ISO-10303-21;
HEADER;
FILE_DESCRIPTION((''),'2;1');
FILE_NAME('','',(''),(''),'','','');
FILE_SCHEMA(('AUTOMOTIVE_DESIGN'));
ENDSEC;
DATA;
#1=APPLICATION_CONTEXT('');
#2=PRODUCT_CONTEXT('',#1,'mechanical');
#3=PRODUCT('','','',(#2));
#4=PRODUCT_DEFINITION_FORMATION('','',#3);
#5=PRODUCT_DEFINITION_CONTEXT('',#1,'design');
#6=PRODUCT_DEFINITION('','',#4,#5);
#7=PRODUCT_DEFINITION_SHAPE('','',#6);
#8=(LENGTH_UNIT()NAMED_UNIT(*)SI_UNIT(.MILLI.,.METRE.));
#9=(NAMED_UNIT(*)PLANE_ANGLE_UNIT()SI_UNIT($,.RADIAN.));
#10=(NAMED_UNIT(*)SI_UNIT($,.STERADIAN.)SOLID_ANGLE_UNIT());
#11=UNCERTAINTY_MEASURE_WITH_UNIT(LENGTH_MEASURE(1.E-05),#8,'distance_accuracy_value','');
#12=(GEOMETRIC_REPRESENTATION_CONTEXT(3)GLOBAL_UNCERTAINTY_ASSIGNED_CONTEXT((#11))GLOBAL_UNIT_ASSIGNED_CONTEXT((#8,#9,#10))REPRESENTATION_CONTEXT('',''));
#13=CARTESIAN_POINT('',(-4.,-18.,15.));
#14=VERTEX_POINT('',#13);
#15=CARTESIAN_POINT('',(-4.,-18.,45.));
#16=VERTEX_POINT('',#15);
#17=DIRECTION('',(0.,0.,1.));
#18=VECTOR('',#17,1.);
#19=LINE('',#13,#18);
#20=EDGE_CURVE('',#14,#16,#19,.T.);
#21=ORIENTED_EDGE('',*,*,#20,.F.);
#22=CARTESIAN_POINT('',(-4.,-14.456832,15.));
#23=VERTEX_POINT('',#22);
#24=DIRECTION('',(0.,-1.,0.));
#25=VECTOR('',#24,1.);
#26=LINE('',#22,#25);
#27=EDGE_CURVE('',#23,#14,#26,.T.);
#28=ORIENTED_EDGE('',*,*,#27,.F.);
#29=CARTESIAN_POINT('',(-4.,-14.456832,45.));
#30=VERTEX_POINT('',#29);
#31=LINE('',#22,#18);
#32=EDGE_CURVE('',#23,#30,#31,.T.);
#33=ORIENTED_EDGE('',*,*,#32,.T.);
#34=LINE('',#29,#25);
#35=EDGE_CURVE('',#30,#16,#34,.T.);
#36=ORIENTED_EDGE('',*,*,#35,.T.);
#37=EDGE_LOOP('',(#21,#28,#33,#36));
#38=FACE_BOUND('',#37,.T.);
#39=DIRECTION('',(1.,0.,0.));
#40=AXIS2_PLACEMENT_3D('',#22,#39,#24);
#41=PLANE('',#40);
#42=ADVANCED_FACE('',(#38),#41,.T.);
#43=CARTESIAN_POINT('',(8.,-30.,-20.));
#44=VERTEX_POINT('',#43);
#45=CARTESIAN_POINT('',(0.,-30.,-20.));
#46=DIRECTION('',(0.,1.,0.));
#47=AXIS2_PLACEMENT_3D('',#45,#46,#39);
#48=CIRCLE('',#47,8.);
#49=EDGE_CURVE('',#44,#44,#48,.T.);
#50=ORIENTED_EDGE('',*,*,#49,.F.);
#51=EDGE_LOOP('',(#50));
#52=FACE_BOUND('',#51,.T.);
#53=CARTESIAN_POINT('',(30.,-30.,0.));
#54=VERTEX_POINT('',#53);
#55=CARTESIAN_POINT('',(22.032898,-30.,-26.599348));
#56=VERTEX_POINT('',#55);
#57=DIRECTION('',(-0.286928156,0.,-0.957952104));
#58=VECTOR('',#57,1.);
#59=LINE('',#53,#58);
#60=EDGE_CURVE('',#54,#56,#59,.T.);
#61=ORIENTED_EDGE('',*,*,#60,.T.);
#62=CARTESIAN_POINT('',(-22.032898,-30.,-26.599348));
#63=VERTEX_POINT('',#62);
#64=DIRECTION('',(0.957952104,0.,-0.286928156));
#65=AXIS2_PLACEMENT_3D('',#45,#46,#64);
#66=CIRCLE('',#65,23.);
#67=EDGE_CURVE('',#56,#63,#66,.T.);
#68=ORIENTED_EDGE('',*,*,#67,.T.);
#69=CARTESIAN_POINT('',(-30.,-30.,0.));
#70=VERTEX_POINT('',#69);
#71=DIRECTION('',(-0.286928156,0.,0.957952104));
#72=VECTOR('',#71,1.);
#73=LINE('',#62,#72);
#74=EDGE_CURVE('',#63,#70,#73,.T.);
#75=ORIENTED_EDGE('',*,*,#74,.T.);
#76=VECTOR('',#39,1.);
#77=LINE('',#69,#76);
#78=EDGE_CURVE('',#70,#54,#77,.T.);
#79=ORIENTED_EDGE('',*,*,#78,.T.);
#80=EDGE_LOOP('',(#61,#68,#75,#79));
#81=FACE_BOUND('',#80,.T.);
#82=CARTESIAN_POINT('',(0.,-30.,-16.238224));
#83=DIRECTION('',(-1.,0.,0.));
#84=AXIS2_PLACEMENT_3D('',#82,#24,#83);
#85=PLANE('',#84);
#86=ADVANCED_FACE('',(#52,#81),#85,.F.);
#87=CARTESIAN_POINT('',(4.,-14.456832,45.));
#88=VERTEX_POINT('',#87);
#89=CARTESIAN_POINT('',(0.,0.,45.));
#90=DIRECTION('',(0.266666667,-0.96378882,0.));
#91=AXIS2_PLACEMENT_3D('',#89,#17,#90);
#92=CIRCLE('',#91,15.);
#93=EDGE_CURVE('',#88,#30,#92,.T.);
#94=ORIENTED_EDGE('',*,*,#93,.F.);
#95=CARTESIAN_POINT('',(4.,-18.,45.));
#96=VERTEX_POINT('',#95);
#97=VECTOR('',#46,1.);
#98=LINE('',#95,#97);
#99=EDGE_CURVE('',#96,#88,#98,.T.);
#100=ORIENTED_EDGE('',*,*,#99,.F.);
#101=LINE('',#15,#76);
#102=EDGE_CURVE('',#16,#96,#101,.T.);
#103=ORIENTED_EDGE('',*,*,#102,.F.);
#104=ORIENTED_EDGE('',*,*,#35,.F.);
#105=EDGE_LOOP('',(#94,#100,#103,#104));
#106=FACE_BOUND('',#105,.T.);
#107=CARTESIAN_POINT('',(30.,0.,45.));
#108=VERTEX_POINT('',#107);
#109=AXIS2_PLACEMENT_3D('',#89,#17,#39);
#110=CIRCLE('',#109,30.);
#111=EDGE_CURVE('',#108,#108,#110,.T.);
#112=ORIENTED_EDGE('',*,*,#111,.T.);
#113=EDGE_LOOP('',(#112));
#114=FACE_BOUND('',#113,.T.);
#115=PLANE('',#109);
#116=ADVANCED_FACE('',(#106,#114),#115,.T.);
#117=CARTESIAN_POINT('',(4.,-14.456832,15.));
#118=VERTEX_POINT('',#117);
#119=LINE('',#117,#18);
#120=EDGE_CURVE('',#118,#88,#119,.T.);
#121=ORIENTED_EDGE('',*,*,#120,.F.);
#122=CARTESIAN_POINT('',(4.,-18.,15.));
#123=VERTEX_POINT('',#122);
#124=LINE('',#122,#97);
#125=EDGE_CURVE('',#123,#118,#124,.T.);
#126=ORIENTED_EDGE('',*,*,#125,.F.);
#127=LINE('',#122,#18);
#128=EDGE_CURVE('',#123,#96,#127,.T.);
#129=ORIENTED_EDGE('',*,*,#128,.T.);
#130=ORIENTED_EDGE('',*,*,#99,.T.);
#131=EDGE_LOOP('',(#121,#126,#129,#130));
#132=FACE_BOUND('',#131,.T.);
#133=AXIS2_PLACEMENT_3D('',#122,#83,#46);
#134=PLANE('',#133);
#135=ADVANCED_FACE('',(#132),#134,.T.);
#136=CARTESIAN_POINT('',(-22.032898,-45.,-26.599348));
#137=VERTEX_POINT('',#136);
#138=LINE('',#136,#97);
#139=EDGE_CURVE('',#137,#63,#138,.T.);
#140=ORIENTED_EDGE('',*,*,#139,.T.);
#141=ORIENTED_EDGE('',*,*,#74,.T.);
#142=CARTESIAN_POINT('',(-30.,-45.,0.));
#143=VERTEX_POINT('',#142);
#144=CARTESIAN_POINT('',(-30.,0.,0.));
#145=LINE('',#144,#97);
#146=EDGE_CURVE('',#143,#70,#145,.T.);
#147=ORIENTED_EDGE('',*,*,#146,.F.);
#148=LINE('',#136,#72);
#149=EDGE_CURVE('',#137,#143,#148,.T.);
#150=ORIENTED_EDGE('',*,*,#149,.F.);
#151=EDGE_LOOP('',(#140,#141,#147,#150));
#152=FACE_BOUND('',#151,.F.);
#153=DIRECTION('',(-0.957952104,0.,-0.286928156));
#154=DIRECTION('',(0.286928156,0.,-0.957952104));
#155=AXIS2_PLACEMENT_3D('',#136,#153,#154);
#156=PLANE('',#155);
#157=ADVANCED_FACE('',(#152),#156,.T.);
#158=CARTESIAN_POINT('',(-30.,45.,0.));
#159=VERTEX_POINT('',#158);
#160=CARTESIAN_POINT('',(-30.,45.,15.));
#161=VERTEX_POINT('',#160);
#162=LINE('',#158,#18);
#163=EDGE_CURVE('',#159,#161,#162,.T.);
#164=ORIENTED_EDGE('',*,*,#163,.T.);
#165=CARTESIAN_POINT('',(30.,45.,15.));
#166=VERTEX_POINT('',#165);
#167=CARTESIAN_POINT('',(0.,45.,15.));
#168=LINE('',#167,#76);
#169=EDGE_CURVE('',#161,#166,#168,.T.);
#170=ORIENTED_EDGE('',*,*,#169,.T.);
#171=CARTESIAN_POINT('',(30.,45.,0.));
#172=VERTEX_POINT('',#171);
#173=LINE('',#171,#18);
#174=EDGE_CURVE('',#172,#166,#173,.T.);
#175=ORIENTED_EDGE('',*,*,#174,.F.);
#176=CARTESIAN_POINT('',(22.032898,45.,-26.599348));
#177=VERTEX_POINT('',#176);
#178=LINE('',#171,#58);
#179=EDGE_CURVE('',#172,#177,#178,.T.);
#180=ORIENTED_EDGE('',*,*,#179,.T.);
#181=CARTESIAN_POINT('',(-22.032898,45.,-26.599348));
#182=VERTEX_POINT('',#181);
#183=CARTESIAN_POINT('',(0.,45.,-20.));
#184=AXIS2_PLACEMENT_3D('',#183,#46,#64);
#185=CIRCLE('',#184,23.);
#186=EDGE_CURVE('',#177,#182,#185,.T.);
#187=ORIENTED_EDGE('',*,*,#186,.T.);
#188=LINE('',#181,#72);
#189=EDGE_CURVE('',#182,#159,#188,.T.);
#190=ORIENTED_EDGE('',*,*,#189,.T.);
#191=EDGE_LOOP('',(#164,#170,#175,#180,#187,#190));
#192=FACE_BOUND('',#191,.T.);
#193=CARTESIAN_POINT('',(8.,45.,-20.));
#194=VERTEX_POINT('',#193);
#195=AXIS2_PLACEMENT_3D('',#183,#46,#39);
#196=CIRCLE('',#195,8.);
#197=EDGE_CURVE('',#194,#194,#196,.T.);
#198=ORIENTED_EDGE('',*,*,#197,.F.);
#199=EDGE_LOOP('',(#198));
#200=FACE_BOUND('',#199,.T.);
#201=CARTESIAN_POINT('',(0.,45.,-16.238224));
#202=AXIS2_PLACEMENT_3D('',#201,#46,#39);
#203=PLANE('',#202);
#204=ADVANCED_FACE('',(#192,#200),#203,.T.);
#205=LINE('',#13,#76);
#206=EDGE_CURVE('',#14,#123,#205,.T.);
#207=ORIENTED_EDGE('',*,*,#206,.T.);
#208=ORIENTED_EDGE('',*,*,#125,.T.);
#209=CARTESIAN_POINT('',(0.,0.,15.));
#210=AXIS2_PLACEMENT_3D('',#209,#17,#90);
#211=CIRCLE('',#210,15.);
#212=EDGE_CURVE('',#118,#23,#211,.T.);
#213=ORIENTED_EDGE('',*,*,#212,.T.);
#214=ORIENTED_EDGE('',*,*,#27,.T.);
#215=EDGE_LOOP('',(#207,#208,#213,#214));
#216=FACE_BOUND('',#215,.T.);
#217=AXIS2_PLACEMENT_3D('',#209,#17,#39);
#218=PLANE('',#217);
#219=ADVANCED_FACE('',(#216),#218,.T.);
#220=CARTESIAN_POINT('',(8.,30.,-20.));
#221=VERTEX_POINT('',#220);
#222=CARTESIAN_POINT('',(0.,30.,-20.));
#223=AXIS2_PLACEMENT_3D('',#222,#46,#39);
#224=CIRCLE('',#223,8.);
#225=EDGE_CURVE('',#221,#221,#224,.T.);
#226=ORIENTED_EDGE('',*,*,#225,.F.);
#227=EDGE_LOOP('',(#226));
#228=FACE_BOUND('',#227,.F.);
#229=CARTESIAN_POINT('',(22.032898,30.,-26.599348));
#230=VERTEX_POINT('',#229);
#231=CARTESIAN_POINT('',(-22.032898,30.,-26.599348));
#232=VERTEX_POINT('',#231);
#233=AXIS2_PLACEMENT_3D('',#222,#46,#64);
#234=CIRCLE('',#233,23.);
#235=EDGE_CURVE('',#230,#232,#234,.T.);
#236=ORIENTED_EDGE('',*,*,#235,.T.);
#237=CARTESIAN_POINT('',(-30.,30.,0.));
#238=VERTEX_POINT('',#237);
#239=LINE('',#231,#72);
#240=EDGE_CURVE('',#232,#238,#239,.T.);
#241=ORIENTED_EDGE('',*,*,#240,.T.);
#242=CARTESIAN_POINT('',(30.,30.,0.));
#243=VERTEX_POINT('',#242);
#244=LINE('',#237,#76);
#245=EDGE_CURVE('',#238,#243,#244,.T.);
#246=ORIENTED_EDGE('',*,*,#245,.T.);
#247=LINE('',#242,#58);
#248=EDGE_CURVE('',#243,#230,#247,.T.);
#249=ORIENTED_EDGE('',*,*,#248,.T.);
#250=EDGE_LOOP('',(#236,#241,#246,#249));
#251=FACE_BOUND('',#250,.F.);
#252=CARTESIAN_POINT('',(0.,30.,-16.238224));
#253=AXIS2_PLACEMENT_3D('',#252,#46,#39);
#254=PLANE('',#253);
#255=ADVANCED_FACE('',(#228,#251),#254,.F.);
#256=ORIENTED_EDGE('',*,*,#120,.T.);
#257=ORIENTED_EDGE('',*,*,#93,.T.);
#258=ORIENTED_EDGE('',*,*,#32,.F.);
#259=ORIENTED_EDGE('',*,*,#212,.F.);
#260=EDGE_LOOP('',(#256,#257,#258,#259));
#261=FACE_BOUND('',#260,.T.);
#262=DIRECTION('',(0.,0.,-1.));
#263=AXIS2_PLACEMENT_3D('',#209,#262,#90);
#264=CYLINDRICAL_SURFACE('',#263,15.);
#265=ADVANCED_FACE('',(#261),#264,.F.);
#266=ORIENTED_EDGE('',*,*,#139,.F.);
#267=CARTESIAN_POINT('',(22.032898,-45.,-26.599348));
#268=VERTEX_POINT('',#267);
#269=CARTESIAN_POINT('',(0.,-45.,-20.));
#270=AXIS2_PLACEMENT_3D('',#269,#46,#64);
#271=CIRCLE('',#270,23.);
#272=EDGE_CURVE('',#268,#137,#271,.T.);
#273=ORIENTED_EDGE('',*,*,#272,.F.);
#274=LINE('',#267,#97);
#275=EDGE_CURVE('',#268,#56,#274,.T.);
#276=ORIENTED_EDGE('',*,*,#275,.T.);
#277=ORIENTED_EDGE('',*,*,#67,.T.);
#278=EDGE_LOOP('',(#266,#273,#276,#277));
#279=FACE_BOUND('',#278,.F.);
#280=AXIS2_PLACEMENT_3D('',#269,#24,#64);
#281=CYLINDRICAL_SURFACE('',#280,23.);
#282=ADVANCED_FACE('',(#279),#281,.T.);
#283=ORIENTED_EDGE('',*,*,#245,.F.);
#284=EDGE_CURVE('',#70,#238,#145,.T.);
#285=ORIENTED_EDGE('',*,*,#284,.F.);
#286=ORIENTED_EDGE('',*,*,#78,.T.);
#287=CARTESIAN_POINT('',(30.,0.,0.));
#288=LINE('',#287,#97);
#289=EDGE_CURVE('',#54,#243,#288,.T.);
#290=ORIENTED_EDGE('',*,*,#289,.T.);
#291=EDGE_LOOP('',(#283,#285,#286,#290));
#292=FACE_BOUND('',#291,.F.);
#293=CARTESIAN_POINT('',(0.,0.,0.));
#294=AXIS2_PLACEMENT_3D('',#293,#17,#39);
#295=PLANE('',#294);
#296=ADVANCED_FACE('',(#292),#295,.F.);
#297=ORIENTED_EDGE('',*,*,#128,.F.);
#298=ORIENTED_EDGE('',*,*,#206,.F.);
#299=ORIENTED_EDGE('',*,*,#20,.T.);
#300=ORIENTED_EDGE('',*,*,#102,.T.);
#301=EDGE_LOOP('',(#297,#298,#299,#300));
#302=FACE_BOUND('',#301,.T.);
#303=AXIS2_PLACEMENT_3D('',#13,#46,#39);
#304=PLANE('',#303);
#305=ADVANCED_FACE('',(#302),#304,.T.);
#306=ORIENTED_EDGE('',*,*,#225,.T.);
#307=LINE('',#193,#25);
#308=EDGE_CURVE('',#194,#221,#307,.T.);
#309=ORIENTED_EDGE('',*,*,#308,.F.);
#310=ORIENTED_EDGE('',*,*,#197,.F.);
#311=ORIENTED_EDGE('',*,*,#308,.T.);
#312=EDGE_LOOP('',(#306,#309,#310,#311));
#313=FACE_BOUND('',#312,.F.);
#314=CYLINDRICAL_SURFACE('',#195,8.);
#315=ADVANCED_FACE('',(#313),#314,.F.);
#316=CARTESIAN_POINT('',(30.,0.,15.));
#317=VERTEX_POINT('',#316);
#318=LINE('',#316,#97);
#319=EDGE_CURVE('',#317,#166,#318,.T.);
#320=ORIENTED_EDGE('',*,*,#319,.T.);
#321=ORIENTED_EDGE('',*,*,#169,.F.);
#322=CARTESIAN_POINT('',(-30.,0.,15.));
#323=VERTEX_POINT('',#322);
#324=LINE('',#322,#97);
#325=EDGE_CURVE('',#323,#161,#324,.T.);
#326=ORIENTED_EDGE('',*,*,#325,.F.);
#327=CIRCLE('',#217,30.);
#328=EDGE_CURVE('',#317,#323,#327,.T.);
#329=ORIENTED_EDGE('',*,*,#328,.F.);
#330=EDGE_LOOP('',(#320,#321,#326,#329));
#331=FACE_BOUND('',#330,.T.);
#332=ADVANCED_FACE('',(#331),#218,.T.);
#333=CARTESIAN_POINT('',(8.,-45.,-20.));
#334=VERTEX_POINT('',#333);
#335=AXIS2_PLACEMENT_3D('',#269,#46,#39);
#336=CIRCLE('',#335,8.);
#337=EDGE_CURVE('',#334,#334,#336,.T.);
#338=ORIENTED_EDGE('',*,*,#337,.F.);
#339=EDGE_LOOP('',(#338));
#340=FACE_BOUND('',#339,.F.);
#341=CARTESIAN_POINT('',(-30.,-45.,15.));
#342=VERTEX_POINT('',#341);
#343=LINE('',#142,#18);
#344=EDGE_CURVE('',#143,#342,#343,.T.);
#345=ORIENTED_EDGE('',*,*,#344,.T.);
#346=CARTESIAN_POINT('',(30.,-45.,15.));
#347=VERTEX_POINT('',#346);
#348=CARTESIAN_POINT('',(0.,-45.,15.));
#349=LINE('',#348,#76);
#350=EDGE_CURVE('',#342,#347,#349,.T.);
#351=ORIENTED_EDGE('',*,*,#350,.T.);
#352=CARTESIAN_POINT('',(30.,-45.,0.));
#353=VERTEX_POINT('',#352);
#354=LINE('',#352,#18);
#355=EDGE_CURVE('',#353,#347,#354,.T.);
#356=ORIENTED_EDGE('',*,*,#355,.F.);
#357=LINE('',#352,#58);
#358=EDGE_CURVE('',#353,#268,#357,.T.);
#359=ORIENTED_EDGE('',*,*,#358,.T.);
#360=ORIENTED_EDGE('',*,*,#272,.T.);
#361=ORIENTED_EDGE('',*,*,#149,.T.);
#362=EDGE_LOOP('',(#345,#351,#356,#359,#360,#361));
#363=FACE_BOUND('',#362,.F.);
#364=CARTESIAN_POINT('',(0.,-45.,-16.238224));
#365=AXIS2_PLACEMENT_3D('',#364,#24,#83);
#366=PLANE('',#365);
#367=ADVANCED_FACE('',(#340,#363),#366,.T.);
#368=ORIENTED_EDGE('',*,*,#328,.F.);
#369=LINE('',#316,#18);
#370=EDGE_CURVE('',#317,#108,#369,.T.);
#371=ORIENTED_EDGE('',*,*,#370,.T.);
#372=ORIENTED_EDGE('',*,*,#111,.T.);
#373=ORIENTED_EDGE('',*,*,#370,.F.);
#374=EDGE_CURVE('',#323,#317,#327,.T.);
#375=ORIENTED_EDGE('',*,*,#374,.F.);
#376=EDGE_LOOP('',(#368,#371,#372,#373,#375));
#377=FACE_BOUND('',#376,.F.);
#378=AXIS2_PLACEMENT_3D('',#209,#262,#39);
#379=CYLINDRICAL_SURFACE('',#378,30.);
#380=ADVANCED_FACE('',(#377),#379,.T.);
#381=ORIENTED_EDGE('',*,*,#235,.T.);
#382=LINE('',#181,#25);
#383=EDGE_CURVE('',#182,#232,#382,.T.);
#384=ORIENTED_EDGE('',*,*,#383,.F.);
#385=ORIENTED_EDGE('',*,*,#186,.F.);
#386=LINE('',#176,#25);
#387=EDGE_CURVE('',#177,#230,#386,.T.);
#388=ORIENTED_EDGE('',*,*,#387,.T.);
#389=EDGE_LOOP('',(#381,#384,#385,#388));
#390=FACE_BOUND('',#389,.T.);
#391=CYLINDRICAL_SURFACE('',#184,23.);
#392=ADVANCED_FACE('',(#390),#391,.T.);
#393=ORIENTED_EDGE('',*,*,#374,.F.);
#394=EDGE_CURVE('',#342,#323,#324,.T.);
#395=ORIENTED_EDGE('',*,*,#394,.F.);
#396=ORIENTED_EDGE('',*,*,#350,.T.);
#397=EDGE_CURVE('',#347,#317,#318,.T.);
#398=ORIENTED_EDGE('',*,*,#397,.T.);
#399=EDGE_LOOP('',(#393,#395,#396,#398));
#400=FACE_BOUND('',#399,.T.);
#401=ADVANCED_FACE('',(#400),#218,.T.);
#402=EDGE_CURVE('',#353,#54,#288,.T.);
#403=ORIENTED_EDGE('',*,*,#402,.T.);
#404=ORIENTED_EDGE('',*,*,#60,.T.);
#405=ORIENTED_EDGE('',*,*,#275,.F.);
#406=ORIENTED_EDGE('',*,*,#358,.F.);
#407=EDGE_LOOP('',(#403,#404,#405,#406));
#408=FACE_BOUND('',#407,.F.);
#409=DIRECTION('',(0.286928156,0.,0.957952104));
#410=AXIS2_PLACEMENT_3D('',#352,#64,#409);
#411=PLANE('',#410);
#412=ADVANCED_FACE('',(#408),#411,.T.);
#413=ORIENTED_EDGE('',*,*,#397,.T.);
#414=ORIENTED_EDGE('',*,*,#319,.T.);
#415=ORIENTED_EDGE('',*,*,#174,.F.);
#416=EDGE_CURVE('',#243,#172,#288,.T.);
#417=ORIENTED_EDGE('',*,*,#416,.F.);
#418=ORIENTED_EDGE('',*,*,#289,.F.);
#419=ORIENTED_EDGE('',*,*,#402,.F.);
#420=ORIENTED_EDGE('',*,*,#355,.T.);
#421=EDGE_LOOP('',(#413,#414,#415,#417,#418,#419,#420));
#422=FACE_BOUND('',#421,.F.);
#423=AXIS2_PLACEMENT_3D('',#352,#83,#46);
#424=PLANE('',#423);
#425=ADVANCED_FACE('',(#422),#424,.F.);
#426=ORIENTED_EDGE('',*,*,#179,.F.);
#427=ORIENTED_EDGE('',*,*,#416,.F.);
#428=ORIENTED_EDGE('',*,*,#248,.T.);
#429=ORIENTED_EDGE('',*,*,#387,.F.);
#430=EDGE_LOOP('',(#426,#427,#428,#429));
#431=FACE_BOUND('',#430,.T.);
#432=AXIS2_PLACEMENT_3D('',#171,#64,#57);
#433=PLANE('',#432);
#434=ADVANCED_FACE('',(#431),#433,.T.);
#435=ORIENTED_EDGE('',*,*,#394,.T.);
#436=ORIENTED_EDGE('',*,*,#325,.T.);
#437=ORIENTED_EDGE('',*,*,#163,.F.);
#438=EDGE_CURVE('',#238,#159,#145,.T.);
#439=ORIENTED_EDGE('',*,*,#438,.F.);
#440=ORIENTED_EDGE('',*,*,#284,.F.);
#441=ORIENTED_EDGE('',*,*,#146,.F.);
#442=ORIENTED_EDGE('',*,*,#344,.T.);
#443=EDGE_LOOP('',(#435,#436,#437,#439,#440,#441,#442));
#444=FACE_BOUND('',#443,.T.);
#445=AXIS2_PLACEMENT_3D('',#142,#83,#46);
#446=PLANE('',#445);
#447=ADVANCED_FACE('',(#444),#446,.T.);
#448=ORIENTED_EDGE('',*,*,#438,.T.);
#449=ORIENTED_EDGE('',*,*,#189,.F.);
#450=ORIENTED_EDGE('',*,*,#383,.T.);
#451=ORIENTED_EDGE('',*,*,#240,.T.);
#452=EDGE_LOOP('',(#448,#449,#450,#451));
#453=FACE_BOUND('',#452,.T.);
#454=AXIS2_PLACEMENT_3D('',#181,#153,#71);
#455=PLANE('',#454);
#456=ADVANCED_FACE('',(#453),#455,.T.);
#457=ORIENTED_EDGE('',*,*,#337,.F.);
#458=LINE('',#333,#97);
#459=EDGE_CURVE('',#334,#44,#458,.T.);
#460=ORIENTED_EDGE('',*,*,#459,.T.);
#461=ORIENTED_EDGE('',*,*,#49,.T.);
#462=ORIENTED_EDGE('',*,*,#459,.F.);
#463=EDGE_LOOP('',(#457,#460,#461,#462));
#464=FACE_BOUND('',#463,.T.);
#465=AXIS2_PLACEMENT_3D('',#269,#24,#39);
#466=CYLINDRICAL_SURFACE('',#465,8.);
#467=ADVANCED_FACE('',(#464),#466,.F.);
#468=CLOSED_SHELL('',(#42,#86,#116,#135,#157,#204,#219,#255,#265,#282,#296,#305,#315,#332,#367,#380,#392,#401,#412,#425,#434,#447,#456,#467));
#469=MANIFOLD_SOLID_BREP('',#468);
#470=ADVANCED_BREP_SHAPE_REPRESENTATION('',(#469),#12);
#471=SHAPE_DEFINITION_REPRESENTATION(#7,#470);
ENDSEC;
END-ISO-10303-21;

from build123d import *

# Parameters (mm, degrees)
SKETCH1_W           = 60
SKETCH1_H           = 90
BOSS_EXTRUDE1_DEPTH = 15
SKETCH2_R           = 30
BOSS_EXTRUDE2_DEPTH = 30
SKETCH3_R           = 8
BOSS_EXTRUDE3_DEPTH = 15


with BuildPart() as part:
    # Sketch1 → Boss-Extrude1 (new body)
    with BuildSketch(Plane.XY):
        Rectangle(SKETCH1_W, SKETCH1_H)
    extrude(amount=BOSS_EXTRUDE1_DEPTH)

    # Sketch2 → Boss-Extrude2 (add)
    with BuildSketch(Plane.XY.offset(15)):
        Circle(SKETCH2_R)
        with BuildLine():
            Line((-4, -14.456832295), (-4, -18))
            Line((-4, -18), (4, -18))
            Line((4, -18), (4, -14.456832295))
            ThreePointArc((4, -14.456832295), (0, 15), (-4, -14.456832295))
        make_face(mode=Mode.SUBTRACT)
    extrude(amount=BOSS_EXTRUDE2_DEPTH)

    # Sketch3 → Boss-Extrude3 (add)
    with BuildSketch(Plane(origin=(0, 45, 0), x_dir=(1, 0, 0), z_dir=(0, 1, 0))):
        with BuildLine():
            Line((-30, 0), (30, 0))
            Line((30, 0), (22.03289839, 26.599347585))
            ThreePointArc((22.03289839, 26.599347585), (0, 43), (-22.03289839, 26.599347585))
            Line((-22.03289839, 26.599347585), (-30, 0))
        make_face()
        with Locations((0, 20)):
            Circle(SKETCH3_R, mode=Mode.SUBTRACT)
    boss_extrude3 = extrude(amount=-BOSS_EXTRUDE3_DEPTH)

    # Mirror1: Boss-Extrude3 across plane
    add(boss_extrude3.mirror(Plane.ZX))


solid = part.part
